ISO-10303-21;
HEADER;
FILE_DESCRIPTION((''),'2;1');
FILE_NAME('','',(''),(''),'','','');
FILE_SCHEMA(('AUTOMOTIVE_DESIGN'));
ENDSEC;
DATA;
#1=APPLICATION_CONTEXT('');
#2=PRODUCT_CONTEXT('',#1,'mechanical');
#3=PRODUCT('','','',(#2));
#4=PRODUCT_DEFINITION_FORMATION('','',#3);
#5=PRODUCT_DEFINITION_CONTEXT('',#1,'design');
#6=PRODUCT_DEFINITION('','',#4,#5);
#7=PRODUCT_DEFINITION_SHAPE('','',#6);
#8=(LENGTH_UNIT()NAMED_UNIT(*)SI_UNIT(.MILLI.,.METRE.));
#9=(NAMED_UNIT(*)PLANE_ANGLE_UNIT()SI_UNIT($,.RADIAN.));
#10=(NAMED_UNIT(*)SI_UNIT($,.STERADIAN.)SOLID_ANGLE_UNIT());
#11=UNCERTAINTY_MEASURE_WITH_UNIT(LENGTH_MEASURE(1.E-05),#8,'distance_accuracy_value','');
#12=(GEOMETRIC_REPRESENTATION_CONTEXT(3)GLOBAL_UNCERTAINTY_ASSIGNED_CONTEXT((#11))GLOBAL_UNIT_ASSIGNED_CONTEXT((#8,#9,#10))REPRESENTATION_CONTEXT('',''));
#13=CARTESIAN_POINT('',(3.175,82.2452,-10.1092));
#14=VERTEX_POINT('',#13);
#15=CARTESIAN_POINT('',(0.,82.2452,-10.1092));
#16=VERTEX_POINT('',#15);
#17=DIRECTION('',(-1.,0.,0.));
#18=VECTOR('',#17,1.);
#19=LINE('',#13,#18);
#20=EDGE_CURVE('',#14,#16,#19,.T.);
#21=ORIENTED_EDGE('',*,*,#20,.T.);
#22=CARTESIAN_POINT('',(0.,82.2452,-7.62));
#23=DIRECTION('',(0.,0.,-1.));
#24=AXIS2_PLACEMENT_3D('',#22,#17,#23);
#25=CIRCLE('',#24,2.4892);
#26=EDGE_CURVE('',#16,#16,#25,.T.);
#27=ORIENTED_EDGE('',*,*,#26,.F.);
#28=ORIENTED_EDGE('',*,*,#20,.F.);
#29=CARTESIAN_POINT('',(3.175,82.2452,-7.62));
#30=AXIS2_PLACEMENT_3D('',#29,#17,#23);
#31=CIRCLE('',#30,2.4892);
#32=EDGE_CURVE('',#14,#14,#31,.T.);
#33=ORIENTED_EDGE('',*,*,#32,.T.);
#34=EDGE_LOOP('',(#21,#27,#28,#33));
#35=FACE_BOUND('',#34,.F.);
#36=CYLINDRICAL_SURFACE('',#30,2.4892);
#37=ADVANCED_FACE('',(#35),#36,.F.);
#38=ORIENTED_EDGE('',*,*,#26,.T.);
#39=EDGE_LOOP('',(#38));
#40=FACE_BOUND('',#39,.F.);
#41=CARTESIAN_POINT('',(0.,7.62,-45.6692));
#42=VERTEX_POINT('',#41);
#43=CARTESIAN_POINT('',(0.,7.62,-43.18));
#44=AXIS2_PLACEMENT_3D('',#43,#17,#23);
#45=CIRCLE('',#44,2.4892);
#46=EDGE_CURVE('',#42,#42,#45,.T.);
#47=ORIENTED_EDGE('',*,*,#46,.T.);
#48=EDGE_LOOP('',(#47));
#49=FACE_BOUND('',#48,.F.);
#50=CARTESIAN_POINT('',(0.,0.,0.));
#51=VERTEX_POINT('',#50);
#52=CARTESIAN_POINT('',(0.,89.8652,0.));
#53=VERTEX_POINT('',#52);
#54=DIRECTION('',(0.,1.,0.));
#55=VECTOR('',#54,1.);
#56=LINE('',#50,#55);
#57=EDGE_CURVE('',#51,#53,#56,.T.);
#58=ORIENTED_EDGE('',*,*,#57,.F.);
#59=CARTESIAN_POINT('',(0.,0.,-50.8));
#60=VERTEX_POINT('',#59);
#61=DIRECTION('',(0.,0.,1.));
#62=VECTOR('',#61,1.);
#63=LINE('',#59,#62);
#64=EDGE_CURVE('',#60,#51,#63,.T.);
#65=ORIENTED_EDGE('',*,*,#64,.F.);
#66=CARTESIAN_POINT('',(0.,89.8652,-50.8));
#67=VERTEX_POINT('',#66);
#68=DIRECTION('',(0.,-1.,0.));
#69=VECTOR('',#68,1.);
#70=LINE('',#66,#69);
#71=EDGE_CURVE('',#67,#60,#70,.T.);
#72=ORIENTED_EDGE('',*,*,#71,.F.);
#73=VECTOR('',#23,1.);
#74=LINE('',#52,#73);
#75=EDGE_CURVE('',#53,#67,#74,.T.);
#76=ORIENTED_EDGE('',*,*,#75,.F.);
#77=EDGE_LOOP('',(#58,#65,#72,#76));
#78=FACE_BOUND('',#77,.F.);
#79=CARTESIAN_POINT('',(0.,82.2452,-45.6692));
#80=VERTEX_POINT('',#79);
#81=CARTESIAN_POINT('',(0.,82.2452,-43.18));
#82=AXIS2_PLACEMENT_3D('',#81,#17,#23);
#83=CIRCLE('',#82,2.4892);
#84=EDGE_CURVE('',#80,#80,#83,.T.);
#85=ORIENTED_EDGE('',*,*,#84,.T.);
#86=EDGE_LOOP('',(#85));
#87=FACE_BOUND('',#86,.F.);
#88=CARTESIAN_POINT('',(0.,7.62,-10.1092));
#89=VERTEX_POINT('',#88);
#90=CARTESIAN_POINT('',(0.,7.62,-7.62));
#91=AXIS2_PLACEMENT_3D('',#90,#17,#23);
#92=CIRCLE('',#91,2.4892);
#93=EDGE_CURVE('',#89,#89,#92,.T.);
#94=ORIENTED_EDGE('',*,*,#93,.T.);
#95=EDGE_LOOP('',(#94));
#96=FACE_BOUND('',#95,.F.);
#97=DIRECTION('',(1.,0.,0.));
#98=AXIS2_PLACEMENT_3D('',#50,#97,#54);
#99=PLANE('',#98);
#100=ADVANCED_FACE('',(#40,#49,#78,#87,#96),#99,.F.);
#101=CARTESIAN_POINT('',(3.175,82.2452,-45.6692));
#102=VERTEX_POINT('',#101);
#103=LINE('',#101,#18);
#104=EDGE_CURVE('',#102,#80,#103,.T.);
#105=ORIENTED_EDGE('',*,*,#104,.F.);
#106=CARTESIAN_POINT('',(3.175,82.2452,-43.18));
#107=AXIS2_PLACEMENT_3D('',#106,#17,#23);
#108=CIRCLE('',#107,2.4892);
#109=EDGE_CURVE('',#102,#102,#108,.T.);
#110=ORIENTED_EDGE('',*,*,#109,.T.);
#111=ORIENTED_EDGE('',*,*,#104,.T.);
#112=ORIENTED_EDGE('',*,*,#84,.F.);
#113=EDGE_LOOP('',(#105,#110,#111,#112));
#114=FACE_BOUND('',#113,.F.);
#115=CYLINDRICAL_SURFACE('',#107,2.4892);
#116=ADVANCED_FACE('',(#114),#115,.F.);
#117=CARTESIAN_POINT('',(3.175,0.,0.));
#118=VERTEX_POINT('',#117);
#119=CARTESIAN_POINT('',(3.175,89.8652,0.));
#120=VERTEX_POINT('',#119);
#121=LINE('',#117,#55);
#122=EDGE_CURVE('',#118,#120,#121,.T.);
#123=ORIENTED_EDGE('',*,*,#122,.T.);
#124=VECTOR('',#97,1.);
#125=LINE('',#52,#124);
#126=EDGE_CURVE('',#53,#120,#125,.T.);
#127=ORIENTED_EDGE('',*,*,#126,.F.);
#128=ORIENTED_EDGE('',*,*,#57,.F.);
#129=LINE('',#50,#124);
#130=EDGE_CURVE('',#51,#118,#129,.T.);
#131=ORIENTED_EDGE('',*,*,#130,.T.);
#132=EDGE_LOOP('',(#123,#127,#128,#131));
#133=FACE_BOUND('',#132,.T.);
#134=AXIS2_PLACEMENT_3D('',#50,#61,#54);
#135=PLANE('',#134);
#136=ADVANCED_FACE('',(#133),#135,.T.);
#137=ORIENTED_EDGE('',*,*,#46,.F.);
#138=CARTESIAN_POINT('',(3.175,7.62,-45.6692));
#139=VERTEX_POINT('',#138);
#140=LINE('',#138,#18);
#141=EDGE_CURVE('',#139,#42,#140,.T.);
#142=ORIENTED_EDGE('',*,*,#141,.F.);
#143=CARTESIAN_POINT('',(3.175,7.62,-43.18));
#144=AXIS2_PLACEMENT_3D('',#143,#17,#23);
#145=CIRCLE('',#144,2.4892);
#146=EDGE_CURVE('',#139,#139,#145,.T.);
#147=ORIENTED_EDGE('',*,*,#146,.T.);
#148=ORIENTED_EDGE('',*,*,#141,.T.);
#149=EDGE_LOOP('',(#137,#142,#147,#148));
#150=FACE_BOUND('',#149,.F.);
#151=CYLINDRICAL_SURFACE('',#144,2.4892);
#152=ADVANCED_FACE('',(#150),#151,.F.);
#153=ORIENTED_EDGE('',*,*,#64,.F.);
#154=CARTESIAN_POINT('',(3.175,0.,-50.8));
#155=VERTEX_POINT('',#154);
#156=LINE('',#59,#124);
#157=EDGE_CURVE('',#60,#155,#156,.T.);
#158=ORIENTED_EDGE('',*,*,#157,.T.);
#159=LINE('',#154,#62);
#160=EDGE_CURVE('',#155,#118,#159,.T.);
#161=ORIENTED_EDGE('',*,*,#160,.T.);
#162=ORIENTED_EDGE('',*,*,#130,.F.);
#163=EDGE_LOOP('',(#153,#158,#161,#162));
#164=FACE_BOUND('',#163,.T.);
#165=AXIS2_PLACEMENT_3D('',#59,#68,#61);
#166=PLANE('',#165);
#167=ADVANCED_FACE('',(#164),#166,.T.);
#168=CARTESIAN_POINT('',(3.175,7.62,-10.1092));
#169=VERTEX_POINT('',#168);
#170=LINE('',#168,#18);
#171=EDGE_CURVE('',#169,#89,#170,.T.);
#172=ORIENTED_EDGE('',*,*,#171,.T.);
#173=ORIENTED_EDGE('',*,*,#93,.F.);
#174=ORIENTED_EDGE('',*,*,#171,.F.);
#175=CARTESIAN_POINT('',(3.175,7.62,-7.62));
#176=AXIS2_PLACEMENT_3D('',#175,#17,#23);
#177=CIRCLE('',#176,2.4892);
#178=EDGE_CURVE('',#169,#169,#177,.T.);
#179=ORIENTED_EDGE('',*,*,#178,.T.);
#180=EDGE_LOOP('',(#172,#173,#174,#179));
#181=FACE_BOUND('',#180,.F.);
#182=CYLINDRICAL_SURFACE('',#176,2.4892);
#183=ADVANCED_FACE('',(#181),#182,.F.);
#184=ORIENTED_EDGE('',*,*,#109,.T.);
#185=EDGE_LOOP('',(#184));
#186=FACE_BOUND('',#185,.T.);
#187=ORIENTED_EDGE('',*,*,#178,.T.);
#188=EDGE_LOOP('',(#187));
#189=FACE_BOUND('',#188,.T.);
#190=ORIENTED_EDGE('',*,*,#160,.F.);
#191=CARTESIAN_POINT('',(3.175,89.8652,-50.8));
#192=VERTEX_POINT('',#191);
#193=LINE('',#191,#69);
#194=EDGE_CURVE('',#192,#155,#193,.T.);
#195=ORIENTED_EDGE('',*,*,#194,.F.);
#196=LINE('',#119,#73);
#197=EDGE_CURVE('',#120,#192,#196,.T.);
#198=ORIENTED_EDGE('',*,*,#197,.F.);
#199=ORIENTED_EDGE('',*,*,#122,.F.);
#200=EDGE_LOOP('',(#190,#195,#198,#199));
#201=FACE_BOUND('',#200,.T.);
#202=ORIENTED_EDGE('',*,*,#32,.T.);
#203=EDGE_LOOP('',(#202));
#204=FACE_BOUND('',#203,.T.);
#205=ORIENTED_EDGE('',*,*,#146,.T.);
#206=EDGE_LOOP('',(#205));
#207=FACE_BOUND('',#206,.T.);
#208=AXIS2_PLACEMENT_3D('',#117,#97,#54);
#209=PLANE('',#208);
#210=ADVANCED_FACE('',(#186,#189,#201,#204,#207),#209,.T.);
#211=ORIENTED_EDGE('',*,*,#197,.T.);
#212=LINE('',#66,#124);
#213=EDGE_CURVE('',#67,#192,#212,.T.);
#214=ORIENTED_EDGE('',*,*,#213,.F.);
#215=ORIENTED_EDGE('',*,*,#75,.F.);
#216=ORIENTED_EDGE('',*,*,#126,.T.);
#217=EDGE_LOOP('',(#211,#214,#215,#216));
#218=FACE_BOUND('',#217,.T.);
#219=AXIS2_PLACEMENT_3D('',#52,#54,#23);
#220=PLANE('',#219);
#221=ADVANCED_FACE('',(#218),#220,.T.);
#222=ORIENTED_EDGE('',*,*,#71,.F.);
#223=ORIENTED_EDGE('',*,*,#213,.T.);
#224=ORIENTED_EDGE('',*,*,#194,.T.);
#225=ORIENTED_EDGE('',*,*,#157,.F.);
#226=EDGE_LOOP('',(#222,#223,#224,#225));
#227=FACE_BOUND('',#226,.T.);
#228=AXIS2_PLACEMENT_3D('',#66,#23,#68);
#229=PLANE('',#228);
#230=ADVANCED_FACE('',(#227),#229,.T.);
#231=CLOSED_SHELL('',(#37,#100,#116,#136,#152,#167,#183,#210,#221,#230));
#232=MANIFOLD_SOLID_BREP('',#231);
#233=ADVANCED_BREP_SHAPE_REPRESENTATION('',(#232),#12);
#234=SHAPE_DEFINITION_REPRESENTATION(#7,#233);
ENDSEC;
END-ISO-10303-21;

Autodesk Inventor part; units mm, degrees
ref_plane "YZ Plane" through (0, 0, 0) normal (1, 0, 0) x (0, 1, 0)
ref_plane "XZ Plane" through (0, 0, 0) normal (0, 1, 0) x (-1, 0, 0)
ref_plane "XY Plane" through (0, 0, 0) normal (0, 0, 1) x (1, 0, 0)
sketch "Sketch1" plane through (0, 0, 0) normal (1, 0, 0) x (0, 1, 0)
  line L0 (0, 0) -> (89.8652, 0)
  line L1 (89.8652, 0) -> (89.8652, -50.8)
  line L2 (89.8652, -50.8) -> (0, -50.8)
  line L3 (0, -50.8) -> (0, 0)
  dimension "d0" = 89.8652
  dimension "d1" = 50.8
extrude "Extrusion1" add sketch "Sketch1" along normal blind 3.175
sketch "Sketch2" plane through (3.175, 0, 0) normal (1, 0, 0) x (0, 0, -1)
  line L0 (0, 89.8652) -> (0, 0) projected
  line L1 (50.8, 89.8652) -> (0, 89.8652) projected
  point P0 (7.62, 82.2452)
  dimension "d4" = 7.62
  dimension "d5" = 7.62
hole "Hole1" at (3.175, 82.2452, -7.62) direction (-1, 0, 0) diameter 4.9784 end through all
pattern_linear "Rectangular Pattern1" count 2 spacing 74.6252 along (0, -1, 0) count 2 spacing 35.56 along (0, 0, -1) of "Hole1"
properties part number "arm to water block plate" material "Aluminum 6061"
